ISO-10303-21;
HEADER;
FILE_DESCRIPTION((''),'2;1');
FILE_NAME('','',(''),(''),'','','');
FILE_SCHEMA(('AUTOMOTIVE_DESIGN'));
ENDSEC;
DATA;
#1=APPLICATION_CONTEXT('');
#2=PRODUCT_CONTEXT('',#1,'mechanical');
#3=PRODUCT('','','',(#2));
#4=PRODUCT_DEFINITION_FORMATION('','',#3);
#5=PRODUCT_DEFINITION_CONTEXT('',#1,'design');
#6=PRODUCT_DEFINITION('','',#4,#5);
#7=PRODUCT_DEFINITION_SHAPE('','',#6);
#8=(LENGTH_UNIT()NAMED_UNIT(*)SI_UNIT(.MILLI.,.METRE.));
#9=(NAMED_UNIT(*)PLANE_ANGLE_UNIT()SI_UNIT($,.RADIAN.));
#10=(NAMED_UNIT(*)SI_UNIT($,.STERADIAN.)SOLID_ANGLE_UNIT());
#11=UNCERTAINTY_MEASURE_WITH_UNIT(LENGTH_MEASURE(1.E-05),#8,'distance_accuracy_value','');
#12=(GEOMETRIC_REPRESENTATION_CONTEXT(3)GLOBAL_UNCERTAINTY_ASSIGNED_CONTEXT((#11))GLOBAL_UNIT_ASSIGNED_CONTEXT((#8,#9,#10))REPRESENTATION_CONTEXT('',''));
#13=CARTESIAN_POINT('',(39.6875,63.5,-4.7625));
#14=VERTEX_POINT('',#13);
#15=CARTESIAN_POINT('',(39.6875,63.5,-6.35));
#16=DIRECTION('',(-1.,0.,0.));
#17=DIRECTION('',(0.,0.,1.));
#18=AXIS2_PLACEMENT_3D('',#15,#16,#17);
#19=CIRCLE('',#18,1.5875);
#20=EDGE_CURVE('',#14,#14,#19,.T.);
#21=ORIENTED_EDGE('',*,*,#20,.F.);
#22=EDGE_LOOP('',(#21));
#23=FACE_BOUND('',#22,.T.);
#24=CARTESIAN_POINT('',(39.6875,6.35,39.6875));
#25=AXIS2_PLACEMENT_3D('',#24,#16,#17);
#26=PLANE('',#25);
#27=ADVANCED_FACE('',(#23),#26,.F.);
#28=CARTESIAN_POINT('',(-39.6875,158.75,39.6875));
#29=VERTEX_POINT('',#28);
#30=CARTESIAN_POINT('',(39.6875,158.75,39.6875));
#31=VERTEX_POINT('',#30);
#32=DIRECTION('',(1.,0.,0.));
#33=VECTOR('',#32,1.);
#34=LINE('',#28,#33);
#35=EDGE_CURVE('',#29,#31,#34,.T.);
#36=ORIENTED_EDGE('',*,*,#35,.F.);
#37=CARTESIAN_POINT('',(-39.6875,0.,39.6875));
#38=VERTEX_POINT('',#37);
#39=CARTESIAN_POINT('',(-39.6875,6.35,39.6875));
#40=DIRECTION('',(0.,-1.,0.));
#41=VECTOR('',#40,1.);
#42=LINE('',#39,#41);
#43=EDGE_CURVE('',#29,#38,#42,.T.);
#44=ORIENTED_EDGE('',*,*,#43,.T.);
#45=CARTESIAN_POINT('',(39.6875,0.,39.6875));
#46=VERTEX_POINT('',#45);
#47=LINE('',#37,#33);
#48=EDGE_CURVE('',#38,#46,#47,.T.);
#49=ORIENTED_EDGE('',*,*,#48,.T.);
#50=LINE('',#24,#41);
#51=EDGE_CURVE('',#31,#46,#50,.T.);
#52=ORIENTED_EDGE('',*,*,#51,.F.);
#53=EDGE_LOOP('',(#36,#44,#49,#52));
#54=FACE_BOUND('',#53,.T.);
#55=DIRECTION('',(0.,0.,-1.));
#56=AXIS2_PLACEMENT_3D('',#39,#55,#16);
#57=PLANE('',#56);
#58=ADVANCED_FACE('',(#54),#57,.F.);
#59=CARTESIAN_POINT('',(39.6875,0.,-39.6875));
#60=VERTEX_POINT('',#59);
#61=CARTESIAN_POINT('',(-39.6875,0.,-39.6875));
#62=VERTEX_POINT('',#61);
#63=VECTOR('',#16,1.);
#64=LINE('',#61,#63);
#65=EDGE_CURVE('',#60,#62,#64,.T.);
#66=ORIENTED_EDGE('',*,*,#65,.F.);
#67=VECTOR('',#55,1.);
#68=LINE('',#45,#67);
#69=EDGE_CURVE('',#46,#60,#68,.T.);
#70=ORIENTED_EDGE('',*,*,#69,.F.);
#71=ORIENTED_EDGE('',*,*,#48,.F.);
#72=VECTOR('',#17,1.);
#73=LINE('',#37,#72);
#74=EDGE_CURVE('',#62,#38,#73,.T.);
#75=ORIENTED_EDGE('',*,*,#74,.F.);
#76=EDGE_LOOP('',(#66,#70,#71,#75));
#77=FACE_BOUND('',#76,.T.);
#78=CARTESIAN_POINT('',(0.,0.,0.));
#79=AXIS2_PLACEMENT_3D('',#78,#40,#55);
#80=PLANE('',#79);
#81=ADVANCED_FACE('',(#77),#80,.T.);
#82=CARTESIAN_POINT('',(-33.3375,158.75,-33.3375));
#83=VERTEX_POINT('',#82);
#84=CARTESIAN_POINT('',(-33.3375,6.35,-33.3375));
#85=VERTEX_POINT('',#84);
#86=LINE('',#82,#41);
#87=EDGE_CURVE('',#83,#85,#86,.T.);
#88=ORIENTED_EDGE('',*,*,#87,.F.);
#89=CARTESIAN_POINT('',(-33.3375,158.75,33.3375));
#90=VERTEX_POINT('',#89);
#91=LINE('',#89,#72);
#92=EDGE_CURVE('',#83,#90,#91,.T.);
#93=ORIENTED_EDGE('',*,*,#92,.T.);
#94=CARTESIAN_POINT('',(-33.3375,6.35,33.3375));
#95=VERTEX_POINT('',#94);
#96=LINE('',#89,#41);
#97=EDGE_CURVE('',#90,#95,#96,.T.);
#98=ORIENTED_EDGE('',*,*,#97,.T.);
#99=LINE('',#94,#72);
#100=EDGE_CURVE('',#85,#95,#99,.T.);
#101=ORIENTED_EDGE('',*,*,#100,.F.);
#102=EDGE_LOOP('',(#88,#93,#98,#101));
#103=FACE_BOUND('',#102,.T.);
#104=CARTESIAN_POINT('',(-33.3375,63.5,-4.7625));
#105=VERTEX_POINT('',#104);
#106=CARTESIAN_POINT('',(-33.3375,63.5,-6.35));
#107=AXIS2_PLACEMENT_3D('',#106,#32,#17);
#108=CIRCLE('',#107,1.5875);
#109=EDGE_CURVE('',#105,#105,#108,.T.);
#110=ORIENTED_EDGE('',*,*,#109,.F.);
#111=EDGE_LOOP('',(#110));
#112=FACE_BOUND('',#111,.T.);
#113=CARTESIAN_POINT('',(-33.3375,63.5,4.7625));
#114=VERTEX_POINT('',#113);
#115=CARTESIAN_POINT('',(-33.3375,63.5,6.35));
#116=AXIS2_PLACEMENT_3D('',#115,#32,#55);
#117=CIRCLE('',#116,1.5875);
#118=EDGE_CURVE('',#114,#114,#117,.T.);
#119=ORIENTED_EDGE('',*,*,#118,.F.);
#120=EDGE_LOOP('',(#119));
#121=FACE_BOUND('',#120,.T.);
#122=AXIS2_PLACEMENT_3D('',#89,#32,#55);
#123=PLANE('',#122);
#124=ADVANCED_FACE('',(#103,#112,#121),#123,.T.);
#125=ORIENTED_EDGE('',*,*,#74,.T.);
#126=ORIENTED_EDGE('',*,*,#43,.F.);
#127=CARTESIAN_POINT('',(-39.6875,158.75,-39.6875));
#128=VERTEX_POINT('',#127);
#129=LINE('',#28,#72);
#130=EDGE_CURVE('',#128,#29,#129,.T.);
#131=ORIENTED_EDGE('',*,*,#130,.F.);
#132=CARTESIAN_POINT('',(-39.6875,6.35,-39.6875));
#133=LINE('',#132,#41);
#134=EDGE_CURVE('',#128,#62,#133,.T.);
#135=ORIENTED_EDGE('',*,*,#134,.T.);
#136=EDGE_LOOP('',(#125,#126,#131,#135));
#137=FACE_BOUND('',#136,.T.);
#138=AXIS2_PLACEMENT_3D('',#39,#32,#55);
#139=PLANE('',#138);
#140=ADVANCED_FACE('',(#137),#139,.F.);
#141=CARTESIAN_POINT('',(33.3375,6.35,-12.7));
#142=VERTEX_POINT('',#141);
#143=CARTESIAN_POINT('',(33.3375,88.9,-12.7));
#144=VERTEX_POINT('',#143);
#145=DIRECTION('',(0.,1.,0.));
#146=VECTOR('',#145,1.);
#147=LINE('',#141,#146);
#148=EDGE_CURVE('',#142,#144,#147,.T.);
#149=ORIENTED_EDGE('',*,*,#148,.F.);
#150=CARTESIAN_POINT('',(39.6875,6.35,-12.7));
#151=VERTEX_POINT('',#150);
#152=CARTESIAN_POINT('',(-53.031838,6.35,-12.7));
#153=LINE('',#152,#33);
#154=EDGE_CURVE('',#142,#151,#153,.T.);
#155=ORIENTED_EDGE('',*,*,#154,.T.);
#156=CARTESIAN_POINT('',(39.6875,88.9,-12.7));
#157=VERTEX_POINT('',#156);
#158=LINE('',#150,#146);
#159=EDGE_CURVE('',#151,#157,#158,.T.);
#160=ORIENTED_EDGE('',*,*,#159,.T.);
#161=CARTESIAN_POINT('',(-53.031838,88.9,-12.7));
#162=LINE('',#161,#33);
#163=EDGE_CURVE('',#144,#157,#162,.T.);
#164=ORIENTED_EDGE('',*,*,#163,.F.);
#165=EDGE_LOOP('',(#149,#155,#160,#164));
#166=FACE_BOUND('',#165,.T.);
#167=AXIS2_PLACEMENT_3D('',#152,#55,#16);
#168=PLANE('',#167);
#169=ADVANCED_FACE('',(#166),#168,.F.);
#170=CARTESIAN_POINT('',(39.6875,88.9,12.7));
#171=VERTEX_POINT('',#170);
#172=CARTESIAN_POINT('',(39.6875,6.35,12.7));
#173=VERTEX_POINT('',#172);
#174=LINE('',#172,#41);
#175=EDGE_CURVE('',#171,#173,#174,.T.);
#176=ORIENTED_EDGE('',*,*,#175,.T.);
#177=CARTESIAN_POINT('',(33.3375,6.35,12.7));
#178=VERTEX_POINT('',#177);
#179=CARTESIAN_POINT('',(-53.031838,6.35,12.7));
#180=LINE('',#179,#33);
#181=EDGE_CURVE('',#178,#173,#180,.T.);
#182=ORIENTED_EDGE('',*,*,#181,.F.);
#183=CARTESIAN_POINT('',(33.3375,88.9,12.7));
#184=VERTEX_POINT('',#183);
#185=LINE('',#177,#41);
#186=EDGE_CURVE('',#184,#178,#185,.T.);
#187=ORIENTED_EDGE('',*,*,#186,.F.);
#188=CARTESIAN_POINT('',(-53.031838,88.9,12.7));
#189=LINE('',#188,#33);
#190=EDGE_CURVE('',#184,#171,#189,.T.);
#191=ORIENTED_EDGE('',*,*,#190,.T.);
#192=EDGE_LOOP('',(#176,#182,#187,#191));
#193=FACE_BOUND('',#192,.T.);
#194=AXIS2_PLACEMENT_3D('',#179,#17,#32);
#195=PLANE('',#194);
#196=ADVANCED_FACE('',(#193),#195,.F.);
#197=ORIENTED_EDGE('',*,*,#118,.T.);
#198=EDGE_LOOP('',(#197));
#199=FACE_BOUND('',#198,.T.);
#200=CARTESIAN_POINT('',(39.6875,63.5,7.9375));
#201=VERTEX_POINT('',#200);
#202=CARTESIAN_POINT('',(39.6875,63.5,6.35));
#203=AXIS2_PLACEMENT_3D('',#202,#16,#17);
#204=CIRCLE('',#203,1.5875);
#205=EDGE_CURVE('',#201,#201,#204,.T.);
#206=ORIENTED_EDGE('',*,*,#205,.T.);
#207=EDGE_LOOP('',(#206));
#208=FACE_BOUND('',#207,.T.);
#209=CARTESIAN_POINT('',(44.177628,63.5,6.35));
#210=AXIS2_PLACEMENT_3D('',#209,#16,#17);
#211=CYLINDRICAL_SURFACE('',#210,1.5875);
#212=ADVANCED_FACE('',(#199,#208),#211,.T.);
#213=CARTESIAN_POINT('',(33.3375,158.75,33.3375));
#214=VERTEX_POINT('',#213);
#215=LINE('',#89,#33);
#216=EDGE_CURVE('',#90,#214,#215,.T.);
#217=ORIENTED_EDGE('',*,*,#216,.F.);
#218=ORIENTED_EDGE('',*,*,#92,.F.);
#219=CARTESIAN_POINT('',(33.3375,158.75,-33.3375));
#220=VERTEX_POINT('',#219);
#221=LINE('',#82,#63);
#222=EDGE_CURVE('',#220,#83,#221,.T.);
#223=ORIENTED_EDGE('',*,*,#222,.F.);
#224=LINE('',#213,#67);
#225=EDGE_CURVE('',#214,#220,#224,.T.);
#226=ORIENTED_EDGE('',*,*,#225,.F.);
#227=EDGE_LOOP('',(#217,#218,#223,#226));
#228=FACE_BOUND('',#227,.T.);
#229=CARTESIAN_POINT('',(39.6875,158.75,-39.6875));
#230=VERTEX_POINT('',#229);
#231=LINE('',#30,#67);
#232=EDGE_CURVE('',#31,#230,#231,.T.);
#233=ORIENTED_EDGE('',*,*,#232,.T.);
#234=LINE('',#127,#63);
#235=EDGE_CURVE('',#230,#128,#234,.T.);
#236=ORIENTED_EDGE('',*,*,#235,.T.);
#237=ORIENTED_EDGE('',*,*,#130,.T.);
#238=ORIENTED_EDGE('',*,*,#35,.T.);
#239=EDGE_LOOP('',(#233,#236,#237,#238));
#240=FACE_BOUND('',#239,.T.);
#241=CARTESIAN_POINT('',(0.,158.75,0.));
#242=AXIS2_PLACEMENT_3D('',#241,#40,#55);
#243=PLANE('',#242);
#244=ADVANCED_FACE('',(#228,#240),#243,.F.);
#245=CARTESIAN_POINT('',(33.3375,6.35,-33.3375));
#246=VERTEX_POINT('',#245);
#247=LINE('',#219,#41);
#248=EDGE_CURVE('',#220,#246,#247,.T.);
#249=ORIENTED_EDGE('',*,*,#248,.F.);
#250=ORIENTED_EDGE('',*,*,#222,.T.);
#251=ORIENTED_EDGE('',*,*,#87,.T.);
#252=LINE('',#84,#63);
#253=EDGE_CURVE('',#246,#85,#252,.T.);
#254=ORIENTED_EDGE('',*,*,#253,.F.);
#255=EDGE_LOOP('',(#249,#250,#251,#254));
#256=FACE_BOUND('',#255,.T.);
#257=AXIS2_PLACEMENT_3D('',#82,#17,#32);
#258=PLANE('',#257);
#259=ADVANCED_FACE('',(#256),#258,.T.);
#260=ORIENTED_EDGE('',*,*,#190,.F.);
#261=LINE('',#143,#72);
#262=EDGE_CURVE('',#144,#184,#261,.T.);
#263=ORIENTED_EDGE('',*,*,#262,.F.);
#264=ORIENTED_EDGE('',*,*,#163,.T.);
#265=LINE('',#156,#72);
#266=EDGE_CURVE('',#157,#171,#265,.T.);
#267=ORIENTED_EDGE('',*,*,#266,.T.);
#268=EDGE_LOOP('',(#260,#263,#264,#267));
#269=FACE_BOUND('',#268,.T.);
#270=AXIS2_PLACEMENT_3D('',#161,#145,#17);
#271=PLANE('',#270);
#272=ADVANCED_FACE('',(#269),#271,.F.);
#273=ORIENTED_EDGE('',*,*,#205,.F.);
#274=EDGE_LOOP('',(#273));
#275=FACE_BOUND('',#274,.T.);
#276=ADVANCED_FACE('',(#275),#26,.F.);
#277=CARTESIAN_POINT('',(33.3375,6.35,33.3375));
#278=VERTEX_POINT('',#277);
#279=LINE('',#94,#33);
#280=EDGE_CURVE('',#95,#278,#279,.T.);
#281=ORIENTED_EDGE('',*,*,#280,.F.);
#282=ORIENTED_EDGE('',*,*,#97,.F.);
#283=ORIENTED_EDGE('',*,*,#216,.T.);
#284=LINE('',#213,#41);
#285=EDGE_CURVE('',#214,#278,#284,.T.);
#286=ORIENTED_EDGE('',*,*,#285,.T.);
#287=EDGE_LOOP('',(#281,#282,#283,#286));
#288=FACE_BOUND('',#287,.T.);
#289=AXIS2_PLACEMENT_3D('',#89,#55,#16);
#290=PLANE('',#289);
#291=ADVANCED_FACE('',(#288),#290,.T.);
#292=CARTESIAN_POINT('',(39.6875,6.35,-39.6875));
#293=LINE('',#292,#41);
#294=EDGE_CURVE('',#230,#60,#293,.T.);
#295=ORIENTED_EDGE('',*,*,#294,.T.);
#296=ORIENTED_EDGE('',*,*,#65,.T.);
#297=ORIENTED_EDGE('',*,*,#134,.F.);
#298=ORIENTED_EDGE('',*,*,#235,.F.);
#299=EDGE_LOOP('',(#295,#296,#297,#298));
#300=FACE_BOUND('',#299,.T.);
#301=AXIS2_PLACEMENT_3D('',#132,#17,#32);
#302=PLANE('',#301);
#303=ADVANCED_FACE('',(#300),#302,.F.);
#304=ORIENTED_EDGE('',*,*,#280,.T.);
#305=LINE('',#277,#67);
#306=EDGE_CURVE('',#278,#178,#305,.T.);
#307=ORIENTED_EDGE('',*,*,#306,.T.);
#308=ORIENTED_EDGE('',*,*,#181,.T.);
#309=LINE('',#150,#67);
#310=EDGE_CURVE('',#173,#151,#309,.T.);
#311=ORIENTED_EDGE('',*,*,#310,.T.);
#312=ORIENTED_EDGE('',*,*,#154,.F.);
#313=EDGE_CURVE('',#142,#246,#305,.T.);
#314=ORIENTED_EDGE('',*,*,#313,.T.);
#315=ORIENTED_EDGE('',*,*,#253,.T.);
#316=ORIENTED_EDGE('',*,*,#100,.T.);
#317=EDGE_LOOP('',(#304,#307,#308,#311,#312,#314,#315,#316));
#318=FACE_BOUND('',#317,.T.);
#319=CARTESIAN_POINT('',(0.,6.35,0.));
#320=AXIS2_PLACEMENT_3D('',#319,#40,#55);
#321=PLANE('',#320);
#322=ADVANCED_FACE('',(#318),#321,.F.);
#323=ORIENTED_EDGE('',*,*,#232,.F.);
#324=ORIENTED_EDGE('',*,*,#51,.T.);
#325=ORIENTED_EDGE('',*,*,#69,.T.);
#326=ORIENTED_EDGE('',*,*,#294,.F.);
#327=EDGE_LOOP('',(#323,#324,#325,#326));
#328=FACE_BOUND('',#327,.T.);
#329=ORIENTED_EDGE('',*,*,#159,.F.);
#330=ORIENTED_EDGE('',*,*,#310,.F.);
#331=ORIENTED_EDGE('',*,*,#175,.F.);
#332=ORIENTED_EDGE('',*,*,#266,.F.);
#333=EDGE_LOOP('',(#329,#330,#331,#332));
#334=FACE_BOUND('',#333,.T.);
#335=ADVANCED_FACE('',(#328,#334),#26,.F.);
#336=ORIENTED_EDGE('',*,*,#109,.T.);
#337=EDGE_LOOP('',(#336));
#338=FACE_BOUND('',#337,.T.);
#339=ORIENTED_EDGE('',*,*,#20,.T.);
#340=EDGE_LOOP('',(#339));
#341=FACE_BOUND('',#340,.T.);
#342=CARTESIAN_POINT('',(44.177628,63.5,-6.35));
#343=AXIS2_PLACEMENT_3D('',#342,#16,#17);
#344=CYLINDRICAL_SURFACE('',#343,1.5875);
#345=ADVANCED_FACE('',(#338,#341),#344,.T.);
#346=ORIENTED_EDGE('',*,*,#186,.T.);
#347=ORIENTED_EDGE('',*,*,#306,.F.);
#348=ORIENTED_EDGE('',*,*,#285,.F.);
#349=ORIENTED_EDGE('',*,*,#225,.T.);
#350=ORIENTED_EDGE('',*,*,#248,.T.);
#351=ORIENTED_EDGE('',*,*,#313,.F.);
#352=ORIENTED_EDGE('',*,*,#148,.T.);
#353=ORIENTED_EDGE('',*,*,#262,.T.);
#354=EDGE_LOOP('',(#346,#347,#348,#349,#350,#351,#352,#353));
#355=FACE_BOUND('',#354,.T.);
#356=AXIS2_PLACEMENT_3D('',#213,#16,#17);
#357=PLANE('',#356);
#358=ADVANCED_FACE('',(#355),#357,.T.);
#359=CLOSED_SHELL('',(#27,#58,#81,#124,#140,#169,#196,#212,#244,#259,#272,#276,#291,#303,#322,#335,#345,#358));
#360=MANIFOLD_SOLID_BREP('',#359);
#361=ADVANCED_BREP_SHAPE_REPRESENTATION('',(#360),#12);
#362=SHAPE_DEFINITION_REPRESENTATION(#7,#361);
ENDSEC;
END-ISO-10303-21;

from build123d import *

# Parameters (mm, degrees)
SKETCH4_W           = 79.375
SKETCH4_H           = 79.375
BOSS_EXTRUDE3_DEPTH = 6.35
SKETCH5_W           = 79.375
SKETCH5_H           = 79.375
SKETCH5_W_2         = 66.675
SKETCH5_H_2         = 66.675
BOSS_EXTRUDE4_DEPTH = 152.4
SKETCH7_W           = 25.4
SKETCH7_H           = 82.55
CUT_EXTRUDE1_DEPTH  = 6.35
SKETCH8_R           = 1.5875
BOSS_EXTRUDE5_DEPTH = 73.025


with BuildPart() as part:
    # Sketch4 → Boss-Extrude3 (new body)
    with BuildSketch(Plane(origin=(0, 0, 0), x_dir=(1, 0, 0), z_dir=(0, 1, 0))):
        Rectangle(SKETCH4_W, SKETCH4_H)
    extrude(amount=BOSS_EXTRUDE3_DEPTH)

    # Sketch5 → Boss-Extrude4 (add)
    with BuildSketch(Plane(origin=(0, 6.35, 0), x_dir=(1, 0, 0), z_dir=(0, 1, 0))):
        Rectangle(SKETCH5_W, SKETCH5_H)
        Rectangle(SKETCH5_W_2, SKETCH5_H_2, mode=Mode.SUBTRACT)
    extrude(amount=BOSS_EXTRUDE4_DEPTH)

    # Sketch7 → Cut-Extrude1 (cut)
    with BuildSketch(Plane(origin=(39.6875, 0, 0), x_dir=(0, 0, -1), z_dir=(1, 0, 0))):
        with Locations((0, 47.625)):
            Rectangle(SKETCH7_W, SKETCH7_H)
    extrude(amount=-CUT_EXTRUDE1_DEPTH, mode=Mode.SUBTRACT)

    # Sketch8 → Boss-Extrude5 (add)
    with BuildSketch(Plane(origin=(-33.3375, 0, 0), x_dir=(0, 0, -1), z_dir=(1, 0, 0))):
        with Locations(Location((-6.35, 63.5, 0), (0, 0, 180))):
            Circle(SKETCH8_R)
        with Locations(Location((6.35, 63.5, 0), (0, 0, 180))):
            Circle(SKETCH8_R)
    extrude(amount=BOSS_EXTRUDE5_DEPTH)


solid = part.part
